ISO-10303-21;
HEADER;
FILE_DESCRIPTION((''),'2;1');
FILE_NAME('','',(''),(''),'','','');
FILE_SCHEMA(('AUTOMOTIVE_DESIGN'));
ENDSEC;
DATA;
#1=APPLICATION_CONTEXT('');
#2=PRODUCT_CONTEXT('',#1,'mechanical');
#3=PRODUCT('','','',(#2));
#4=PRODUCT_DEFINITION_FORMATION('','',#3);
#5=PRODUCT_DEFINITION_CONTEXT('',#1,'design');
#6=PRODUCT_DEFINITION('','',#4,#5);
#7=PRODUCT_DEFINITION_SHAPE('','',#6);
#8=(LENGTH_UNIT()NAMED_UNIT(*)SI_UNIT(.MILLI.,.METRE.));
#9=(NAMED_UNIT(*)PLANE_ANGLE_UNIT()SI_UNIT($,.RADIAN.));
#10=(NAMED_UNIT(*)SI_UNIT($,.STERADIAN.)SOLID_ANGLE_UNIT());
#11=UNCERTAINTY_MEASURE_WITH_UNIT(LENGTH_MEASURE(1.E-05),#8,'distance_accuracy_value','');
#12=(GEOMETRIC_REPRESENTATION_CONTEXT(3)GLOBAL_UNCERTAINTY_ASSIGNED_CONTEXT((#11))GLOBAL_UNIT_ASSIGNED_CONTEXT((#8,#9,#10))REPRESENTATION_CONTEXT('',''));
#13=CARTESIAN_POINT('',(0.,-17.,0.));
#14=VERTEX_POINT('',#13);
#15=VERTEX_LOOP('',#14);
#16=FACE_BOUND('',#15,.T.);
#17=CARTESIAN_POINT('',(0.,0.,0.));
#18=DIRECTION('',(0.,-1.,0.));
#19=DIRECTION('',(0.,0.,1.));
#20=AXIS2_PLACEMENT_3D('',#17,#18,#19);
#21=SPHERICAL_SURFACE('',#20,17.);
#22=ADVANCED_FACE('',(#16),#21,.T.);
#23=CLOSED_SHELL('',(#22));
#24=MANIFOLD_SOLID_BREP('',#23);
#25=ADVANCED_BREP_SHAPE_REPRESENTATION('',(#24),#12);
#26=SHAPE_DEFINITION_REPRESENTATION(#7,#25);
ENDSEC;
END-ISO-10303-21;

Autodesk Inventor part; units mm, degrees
ref_plane "YZ Plane" through (0, 0, 0) normal (1, 0, 0) x (0, 1, 0)
ref_plane "XZ Plane" through (0, 0, 0) normal (0, 1, 0) x (-1, 0, 0)
ref_plane "XY Plane" through (0, 0, 0) normal (0, 0, 1) x (1, 0, 0)
sketch "スケッチ1" plane through (0, 0, 0) normal (1, 0, 0) x (0, 1, 0)
  arc A0 (17, 0) -> (-17, 0) centre (0, 0) ccw
  line L0 (17, 0) -> (-17, 0)
  point P0 (0, 0)
  dimension "d1" = 17
revolve "回転1" add sketch "スケッチ1" angle 360 about axis through (0, 17, 0) along (0, -1, 0)
properties part number "ball" material "ABS プラスチック"
